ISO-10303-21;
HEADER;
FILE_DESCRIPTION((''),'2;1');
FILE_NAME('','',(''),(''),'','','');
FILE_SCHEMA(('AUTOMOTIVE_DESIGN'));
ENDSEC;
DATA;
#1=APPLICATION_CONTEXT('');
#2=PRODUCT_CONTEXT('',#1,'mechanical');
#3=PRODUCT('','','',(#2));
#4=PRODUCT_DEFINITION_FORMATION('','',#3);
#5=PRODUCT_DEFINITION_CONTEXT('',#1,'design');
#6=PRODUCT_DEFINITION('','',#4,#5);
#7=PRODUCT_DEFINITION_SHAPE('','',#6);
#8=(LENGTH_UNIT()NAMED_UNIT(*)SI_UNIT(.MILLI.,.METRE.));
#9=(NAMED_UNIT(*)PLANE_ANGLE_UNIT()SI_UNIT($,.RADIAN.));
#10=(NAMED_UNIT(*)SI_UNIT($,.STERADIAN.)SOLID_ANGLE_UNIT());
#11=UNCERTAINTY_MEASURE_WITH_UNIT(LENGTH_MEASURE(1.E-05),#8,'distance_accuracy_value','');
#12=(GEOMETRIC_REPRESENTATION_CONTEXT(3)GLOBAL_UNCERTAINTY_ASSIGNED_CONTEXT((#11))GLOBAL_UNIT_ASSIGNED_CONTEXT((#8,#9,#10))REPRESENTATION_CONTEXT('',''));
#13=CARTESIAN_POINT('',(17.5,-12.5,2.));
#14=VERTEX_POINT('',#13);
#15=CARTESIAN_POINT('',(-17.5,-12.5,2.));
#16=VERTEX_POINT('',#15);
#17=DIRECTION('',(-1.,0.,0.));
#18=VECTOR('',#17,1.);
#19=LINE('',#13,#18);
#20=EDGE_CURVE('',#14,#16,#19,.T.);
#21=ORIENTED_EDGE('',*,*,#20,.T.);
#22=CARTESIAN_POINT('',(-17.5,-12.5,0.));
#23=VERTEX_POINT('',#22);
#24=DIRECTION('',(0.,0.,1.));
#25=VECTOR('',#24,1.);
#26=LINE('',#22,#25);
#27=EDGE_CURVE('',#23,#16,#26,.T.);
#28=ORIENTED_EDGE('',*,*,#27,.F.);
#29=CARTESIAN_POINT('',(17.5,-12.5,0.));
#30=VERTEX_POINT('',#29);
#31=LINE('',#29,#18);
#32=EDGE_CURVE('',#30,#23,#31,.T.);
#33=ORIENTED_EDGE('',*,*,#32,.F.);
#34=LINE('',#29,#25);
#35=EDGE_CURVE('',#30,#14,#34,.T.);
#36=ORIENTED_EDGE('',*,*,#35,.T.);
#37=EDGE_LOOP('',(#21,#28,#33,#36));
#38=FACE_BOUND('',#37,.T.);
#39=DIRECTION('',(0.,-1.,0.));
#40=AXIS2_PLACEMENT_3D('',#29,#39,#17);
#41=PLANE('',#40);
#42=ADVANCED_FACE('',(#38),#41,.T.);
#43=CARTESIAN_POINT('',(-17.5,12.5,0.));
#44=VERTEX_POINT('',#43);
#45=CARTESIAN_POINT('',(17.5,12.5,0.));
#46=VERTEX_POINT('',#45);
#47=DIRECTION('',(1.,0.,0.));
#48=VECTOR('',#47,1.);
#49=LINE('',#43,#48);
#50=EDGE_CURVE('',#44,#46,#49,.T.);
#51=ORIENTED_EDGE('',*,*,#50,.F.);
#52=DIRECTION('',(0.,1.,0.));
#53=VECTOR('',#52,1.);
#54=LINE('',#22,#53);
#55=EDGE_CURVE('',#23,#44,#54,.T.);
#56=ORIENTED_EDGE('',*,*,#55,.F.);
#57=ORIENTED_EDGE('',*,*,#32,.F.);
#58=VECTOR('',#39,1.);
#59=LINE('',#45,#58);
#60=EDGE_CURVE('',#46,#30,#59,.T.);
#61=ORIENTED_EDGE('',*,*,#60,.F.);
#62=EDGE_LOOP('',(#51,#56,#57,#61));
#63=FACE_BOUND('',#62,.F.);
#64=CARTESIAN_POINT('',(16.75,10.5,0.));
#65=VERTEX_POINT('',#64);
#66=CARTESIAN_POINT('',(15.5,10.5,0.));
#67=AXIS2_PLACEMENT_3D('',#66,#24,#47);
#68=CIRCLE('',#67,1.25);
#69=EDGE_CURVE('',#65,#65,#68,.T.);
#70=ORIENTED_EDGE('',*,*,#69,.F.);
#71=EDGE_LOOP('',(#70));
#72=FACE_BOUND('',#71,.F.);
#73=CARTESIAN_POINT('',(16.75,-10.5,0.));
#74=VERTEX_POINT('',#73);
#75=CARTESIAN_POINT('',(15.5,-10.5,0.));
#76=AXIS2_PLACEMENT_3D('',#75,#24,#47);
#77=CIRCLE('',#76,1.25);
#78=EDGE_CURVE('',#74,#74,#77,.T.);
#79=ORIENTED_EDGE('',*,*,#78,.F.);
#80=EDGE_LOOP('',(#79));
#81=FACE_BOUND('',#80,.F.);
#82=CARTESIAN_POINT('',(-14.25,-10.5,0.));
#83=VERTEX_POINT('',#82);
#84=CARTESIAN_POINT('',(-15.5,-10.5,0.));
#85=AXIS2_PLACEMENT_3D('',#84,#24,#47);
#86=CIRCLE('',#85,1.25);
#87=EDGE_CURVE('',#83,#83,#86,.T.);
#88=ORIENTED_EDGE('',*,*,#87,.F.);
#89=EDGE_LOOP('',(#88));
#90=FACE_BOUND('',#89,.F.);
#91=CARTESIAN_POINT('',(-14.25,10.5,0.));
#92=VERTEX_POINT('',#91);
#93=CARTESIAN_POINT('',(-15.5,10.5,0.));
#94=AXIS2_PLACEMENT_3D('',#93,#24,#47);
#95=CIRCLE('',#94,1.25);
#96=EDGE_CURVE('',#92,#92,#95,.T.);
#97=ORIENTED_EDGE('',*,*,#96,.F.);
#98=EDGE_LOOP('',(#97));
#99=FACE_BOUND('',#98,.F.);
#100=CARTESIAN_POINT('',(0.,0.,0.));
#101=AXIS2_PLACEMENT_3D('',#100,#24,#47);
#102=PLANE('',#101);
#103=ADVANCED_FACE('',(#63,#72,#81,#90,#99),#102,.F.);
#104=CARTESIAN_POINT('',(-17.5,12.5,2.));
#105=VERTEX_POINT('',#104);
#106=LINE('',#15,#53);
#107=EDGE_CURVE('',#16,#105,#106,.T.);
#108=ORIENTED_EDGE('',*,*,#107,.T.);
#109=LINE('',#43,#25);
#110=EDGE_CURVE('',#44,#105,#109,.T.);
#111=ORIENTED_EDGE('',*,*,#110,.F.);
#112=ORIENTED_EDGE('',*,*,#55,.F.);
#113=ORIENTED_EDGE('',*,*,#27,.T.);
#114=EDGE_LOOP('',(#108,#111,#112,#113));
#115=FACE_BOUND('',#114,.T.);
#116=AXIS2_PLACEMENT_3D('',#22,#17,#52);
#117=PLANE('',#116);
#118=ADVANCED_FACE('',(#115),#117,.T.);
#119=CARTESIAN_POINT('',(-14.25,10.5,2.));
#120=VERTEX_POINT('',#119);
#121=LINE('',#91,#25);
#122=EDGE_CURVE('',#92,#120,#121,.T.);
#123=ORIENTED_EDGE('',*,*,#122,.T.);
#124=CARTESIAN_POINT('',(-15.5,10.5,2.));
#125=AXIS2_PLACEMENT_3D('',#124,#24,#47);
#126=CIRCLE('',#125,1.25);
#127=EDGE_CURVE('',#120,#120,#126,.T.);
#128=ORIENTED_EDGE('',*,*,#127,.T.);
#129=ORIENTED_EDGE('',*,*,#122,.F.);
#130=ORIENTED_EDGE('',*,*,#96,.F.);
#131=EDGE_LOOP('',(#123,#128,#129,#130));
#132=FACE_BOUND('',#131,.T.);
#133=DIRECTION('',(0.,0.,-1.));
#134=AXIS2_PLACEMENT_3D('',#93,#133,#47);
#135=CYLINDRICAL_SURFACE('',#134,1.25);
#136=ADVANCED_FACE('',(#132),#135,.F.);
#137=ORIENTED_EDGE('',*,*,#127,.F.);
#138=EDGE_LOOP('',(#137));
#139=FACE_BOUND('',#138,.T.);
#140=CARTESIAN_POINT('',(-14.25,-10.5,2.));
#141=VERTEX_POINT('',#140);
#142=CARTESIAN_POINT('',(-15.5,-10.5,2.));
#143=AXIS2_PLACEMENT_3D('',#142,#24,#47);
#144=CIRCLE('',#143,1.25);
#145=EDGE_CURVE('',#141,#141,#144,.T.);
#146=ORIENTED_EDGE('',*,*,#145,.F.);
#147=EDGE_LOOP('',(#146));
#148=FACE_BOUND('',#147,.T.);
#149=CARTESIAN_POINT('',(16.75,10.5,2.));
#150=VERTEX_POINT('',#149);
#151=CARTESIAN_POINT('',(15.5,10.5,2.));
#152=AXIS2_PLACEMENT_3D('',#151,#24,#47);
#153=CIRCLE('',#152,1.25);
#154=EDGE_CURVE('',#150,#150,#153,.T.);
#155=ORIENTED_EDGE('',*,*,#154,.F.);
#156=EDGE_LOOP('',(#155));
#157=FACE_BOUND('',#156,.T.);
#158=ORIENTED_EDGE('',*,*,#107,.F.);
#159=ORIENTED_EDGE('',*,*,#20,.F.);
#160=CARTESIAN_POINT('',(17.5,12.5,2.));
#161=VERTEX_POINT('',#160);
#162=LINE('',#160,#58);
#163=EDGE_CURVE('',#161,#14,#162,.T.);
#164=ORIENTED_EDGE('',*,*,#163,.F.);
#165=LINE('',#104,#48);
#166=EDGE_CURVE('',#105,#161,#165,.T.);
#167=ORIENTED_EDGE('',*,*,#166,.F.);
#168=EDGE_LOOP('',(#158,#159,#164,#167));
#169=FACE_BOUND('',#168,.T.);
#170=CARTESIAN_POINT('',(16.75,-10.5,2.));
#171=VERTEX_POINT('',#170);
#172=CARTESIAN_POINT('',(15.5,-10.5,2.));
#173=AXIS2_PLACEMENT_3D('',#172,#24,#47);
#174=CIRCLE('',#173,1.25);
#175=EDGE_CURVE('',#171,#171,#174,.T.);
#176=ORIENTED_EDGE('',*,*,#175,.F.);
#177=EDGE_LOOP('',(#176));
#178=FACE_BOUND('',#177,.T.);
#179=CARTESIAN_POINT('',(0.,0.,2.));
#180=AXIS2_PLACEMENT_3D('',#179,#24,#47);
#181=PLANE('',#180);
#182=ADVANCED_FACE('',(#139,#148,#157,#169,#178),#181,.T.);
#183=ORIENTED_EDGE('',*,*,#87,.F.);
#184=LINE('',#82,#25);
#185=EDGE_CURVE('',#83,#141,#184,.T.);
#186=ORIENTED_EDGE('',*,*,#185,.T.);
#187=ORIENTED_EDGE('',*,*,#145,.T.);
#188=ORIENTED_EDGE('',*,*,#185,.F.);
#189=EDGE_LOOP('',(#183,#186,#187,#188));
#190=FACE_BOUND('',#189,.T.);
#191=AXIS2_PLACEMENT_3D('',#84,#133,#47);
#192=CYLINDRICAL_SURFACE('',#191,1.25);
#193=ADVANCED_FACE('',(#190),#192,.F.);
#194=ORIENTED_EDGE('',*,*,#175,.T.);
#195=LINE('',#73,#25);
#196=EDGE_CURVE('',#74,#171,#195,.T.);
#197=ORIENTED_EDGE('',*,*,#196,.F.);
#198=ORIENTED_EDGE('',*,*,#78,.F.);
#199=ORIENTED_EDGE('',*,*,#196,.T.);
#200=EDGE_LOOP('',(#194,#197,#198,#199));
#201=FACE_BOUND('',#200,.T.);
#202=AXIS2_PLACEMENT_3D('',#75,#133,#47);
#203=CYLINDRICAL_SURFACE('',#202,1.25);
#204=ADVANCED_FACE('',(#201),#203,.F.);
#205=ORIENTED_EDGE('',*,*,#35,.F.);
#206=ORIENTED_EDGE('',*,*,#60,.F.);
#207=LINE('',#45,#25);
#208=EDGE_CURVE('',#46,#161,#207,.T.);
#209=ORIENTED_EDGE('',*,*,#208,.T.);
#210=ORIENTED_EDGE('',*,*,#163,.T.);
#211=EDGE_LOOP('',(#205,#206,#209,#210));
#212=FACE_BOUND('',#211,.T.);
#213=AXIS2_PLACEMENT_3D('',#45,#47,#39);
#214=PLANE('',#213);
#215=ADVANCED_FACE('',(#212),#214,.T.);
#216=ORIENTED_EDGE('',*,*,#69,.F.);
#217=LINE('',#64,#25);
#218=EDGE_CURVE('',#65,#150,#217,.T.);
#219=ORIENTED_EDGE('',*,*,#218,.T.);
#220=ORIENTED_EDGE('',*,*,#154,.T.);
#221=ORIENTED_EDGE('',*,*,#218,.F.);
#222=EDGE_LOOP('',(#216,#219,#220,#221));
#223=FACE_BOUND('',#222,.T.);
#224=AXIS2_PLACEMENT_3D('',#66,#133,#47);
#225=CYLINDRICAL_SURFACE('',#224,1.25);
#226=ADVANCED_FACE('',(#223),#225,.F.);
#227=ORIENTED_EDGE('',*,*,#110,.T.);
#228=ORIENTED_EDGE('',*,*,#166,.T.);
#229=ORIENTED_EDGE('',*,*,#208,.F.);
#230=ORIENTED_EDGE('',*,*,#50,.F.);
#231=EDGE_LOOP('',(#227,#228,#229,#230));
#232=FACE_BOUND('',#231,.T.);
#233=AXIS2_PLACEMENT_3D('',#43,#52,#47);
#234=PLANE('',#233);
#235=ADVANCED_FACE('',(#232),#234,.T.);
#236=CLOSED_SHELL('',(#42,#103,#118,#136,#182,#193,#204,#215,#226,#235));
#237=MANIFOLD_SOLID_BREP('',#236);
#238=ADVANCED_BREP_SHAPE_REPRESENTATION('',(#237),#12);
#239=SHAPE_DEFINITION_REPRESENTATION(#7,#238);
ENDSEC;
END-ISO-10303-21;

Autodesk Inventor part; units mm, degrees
ref_plane "YZ Plane" through (0, 0, 0) normal (1, 0, 0) x (0, 1, 0)
ref_plane "XZ Plane" through (0, 0, 0) normal (0, 1, 0) x (-1, 0, 0)
ref_plane "XY Plane" through (0, 0, 0) normal (0, 0, 1) x (1, 0, 0)
sketch "Sketch1" plane through (0, 0, 0) normal (0, 0, 1) x (1, 0, 0)
  line L0 (17.5, -12.5) -> (-17.5, -12.5)
  line L1 (-17.5, -12.5) -> (-17.5, 12.5)
  line L2 (-17.5, 12.5) -> (17.5, 12.5)
  line L3 (17.5, 12.5) -> (17.5, -12.5)
  line L4 (17.5, -12.5) -> (-17.5, 12.5) construction
  line L5 (-17.5, -12.5) -> (17.5, 12.5) construction
  circle A0 centre (-15.5, 10.5) radius 1.25
  circle A1 centre (15.5, 10.5) radius 1.25
  circle A2 centre (-15.5, -10.5) radius 1.25
  circle A3 centre (15.5, -10.5) radius 1.25
  point P0 (0, 0)
  dimension "d0" = 25
  dimension "d1" = 35
  dimension "d2" = 2
  dimension "d3" = 2
  dimension "d4" = 2
  dimension "d5" = 2
  dimension "d6" = 2
  dimension "d7" = 2
  dimension "d8" = 2
  dimension "d9" = 2
  dimension "d10" = 2.5
  dimension "d11" = 2.5
  dimension "d12" = 2.5
  dimension "d13" = 2.5
extrude "Extrusion1" add sketch "Sketch1" along normal blind 2
properties part number "acrylic"
